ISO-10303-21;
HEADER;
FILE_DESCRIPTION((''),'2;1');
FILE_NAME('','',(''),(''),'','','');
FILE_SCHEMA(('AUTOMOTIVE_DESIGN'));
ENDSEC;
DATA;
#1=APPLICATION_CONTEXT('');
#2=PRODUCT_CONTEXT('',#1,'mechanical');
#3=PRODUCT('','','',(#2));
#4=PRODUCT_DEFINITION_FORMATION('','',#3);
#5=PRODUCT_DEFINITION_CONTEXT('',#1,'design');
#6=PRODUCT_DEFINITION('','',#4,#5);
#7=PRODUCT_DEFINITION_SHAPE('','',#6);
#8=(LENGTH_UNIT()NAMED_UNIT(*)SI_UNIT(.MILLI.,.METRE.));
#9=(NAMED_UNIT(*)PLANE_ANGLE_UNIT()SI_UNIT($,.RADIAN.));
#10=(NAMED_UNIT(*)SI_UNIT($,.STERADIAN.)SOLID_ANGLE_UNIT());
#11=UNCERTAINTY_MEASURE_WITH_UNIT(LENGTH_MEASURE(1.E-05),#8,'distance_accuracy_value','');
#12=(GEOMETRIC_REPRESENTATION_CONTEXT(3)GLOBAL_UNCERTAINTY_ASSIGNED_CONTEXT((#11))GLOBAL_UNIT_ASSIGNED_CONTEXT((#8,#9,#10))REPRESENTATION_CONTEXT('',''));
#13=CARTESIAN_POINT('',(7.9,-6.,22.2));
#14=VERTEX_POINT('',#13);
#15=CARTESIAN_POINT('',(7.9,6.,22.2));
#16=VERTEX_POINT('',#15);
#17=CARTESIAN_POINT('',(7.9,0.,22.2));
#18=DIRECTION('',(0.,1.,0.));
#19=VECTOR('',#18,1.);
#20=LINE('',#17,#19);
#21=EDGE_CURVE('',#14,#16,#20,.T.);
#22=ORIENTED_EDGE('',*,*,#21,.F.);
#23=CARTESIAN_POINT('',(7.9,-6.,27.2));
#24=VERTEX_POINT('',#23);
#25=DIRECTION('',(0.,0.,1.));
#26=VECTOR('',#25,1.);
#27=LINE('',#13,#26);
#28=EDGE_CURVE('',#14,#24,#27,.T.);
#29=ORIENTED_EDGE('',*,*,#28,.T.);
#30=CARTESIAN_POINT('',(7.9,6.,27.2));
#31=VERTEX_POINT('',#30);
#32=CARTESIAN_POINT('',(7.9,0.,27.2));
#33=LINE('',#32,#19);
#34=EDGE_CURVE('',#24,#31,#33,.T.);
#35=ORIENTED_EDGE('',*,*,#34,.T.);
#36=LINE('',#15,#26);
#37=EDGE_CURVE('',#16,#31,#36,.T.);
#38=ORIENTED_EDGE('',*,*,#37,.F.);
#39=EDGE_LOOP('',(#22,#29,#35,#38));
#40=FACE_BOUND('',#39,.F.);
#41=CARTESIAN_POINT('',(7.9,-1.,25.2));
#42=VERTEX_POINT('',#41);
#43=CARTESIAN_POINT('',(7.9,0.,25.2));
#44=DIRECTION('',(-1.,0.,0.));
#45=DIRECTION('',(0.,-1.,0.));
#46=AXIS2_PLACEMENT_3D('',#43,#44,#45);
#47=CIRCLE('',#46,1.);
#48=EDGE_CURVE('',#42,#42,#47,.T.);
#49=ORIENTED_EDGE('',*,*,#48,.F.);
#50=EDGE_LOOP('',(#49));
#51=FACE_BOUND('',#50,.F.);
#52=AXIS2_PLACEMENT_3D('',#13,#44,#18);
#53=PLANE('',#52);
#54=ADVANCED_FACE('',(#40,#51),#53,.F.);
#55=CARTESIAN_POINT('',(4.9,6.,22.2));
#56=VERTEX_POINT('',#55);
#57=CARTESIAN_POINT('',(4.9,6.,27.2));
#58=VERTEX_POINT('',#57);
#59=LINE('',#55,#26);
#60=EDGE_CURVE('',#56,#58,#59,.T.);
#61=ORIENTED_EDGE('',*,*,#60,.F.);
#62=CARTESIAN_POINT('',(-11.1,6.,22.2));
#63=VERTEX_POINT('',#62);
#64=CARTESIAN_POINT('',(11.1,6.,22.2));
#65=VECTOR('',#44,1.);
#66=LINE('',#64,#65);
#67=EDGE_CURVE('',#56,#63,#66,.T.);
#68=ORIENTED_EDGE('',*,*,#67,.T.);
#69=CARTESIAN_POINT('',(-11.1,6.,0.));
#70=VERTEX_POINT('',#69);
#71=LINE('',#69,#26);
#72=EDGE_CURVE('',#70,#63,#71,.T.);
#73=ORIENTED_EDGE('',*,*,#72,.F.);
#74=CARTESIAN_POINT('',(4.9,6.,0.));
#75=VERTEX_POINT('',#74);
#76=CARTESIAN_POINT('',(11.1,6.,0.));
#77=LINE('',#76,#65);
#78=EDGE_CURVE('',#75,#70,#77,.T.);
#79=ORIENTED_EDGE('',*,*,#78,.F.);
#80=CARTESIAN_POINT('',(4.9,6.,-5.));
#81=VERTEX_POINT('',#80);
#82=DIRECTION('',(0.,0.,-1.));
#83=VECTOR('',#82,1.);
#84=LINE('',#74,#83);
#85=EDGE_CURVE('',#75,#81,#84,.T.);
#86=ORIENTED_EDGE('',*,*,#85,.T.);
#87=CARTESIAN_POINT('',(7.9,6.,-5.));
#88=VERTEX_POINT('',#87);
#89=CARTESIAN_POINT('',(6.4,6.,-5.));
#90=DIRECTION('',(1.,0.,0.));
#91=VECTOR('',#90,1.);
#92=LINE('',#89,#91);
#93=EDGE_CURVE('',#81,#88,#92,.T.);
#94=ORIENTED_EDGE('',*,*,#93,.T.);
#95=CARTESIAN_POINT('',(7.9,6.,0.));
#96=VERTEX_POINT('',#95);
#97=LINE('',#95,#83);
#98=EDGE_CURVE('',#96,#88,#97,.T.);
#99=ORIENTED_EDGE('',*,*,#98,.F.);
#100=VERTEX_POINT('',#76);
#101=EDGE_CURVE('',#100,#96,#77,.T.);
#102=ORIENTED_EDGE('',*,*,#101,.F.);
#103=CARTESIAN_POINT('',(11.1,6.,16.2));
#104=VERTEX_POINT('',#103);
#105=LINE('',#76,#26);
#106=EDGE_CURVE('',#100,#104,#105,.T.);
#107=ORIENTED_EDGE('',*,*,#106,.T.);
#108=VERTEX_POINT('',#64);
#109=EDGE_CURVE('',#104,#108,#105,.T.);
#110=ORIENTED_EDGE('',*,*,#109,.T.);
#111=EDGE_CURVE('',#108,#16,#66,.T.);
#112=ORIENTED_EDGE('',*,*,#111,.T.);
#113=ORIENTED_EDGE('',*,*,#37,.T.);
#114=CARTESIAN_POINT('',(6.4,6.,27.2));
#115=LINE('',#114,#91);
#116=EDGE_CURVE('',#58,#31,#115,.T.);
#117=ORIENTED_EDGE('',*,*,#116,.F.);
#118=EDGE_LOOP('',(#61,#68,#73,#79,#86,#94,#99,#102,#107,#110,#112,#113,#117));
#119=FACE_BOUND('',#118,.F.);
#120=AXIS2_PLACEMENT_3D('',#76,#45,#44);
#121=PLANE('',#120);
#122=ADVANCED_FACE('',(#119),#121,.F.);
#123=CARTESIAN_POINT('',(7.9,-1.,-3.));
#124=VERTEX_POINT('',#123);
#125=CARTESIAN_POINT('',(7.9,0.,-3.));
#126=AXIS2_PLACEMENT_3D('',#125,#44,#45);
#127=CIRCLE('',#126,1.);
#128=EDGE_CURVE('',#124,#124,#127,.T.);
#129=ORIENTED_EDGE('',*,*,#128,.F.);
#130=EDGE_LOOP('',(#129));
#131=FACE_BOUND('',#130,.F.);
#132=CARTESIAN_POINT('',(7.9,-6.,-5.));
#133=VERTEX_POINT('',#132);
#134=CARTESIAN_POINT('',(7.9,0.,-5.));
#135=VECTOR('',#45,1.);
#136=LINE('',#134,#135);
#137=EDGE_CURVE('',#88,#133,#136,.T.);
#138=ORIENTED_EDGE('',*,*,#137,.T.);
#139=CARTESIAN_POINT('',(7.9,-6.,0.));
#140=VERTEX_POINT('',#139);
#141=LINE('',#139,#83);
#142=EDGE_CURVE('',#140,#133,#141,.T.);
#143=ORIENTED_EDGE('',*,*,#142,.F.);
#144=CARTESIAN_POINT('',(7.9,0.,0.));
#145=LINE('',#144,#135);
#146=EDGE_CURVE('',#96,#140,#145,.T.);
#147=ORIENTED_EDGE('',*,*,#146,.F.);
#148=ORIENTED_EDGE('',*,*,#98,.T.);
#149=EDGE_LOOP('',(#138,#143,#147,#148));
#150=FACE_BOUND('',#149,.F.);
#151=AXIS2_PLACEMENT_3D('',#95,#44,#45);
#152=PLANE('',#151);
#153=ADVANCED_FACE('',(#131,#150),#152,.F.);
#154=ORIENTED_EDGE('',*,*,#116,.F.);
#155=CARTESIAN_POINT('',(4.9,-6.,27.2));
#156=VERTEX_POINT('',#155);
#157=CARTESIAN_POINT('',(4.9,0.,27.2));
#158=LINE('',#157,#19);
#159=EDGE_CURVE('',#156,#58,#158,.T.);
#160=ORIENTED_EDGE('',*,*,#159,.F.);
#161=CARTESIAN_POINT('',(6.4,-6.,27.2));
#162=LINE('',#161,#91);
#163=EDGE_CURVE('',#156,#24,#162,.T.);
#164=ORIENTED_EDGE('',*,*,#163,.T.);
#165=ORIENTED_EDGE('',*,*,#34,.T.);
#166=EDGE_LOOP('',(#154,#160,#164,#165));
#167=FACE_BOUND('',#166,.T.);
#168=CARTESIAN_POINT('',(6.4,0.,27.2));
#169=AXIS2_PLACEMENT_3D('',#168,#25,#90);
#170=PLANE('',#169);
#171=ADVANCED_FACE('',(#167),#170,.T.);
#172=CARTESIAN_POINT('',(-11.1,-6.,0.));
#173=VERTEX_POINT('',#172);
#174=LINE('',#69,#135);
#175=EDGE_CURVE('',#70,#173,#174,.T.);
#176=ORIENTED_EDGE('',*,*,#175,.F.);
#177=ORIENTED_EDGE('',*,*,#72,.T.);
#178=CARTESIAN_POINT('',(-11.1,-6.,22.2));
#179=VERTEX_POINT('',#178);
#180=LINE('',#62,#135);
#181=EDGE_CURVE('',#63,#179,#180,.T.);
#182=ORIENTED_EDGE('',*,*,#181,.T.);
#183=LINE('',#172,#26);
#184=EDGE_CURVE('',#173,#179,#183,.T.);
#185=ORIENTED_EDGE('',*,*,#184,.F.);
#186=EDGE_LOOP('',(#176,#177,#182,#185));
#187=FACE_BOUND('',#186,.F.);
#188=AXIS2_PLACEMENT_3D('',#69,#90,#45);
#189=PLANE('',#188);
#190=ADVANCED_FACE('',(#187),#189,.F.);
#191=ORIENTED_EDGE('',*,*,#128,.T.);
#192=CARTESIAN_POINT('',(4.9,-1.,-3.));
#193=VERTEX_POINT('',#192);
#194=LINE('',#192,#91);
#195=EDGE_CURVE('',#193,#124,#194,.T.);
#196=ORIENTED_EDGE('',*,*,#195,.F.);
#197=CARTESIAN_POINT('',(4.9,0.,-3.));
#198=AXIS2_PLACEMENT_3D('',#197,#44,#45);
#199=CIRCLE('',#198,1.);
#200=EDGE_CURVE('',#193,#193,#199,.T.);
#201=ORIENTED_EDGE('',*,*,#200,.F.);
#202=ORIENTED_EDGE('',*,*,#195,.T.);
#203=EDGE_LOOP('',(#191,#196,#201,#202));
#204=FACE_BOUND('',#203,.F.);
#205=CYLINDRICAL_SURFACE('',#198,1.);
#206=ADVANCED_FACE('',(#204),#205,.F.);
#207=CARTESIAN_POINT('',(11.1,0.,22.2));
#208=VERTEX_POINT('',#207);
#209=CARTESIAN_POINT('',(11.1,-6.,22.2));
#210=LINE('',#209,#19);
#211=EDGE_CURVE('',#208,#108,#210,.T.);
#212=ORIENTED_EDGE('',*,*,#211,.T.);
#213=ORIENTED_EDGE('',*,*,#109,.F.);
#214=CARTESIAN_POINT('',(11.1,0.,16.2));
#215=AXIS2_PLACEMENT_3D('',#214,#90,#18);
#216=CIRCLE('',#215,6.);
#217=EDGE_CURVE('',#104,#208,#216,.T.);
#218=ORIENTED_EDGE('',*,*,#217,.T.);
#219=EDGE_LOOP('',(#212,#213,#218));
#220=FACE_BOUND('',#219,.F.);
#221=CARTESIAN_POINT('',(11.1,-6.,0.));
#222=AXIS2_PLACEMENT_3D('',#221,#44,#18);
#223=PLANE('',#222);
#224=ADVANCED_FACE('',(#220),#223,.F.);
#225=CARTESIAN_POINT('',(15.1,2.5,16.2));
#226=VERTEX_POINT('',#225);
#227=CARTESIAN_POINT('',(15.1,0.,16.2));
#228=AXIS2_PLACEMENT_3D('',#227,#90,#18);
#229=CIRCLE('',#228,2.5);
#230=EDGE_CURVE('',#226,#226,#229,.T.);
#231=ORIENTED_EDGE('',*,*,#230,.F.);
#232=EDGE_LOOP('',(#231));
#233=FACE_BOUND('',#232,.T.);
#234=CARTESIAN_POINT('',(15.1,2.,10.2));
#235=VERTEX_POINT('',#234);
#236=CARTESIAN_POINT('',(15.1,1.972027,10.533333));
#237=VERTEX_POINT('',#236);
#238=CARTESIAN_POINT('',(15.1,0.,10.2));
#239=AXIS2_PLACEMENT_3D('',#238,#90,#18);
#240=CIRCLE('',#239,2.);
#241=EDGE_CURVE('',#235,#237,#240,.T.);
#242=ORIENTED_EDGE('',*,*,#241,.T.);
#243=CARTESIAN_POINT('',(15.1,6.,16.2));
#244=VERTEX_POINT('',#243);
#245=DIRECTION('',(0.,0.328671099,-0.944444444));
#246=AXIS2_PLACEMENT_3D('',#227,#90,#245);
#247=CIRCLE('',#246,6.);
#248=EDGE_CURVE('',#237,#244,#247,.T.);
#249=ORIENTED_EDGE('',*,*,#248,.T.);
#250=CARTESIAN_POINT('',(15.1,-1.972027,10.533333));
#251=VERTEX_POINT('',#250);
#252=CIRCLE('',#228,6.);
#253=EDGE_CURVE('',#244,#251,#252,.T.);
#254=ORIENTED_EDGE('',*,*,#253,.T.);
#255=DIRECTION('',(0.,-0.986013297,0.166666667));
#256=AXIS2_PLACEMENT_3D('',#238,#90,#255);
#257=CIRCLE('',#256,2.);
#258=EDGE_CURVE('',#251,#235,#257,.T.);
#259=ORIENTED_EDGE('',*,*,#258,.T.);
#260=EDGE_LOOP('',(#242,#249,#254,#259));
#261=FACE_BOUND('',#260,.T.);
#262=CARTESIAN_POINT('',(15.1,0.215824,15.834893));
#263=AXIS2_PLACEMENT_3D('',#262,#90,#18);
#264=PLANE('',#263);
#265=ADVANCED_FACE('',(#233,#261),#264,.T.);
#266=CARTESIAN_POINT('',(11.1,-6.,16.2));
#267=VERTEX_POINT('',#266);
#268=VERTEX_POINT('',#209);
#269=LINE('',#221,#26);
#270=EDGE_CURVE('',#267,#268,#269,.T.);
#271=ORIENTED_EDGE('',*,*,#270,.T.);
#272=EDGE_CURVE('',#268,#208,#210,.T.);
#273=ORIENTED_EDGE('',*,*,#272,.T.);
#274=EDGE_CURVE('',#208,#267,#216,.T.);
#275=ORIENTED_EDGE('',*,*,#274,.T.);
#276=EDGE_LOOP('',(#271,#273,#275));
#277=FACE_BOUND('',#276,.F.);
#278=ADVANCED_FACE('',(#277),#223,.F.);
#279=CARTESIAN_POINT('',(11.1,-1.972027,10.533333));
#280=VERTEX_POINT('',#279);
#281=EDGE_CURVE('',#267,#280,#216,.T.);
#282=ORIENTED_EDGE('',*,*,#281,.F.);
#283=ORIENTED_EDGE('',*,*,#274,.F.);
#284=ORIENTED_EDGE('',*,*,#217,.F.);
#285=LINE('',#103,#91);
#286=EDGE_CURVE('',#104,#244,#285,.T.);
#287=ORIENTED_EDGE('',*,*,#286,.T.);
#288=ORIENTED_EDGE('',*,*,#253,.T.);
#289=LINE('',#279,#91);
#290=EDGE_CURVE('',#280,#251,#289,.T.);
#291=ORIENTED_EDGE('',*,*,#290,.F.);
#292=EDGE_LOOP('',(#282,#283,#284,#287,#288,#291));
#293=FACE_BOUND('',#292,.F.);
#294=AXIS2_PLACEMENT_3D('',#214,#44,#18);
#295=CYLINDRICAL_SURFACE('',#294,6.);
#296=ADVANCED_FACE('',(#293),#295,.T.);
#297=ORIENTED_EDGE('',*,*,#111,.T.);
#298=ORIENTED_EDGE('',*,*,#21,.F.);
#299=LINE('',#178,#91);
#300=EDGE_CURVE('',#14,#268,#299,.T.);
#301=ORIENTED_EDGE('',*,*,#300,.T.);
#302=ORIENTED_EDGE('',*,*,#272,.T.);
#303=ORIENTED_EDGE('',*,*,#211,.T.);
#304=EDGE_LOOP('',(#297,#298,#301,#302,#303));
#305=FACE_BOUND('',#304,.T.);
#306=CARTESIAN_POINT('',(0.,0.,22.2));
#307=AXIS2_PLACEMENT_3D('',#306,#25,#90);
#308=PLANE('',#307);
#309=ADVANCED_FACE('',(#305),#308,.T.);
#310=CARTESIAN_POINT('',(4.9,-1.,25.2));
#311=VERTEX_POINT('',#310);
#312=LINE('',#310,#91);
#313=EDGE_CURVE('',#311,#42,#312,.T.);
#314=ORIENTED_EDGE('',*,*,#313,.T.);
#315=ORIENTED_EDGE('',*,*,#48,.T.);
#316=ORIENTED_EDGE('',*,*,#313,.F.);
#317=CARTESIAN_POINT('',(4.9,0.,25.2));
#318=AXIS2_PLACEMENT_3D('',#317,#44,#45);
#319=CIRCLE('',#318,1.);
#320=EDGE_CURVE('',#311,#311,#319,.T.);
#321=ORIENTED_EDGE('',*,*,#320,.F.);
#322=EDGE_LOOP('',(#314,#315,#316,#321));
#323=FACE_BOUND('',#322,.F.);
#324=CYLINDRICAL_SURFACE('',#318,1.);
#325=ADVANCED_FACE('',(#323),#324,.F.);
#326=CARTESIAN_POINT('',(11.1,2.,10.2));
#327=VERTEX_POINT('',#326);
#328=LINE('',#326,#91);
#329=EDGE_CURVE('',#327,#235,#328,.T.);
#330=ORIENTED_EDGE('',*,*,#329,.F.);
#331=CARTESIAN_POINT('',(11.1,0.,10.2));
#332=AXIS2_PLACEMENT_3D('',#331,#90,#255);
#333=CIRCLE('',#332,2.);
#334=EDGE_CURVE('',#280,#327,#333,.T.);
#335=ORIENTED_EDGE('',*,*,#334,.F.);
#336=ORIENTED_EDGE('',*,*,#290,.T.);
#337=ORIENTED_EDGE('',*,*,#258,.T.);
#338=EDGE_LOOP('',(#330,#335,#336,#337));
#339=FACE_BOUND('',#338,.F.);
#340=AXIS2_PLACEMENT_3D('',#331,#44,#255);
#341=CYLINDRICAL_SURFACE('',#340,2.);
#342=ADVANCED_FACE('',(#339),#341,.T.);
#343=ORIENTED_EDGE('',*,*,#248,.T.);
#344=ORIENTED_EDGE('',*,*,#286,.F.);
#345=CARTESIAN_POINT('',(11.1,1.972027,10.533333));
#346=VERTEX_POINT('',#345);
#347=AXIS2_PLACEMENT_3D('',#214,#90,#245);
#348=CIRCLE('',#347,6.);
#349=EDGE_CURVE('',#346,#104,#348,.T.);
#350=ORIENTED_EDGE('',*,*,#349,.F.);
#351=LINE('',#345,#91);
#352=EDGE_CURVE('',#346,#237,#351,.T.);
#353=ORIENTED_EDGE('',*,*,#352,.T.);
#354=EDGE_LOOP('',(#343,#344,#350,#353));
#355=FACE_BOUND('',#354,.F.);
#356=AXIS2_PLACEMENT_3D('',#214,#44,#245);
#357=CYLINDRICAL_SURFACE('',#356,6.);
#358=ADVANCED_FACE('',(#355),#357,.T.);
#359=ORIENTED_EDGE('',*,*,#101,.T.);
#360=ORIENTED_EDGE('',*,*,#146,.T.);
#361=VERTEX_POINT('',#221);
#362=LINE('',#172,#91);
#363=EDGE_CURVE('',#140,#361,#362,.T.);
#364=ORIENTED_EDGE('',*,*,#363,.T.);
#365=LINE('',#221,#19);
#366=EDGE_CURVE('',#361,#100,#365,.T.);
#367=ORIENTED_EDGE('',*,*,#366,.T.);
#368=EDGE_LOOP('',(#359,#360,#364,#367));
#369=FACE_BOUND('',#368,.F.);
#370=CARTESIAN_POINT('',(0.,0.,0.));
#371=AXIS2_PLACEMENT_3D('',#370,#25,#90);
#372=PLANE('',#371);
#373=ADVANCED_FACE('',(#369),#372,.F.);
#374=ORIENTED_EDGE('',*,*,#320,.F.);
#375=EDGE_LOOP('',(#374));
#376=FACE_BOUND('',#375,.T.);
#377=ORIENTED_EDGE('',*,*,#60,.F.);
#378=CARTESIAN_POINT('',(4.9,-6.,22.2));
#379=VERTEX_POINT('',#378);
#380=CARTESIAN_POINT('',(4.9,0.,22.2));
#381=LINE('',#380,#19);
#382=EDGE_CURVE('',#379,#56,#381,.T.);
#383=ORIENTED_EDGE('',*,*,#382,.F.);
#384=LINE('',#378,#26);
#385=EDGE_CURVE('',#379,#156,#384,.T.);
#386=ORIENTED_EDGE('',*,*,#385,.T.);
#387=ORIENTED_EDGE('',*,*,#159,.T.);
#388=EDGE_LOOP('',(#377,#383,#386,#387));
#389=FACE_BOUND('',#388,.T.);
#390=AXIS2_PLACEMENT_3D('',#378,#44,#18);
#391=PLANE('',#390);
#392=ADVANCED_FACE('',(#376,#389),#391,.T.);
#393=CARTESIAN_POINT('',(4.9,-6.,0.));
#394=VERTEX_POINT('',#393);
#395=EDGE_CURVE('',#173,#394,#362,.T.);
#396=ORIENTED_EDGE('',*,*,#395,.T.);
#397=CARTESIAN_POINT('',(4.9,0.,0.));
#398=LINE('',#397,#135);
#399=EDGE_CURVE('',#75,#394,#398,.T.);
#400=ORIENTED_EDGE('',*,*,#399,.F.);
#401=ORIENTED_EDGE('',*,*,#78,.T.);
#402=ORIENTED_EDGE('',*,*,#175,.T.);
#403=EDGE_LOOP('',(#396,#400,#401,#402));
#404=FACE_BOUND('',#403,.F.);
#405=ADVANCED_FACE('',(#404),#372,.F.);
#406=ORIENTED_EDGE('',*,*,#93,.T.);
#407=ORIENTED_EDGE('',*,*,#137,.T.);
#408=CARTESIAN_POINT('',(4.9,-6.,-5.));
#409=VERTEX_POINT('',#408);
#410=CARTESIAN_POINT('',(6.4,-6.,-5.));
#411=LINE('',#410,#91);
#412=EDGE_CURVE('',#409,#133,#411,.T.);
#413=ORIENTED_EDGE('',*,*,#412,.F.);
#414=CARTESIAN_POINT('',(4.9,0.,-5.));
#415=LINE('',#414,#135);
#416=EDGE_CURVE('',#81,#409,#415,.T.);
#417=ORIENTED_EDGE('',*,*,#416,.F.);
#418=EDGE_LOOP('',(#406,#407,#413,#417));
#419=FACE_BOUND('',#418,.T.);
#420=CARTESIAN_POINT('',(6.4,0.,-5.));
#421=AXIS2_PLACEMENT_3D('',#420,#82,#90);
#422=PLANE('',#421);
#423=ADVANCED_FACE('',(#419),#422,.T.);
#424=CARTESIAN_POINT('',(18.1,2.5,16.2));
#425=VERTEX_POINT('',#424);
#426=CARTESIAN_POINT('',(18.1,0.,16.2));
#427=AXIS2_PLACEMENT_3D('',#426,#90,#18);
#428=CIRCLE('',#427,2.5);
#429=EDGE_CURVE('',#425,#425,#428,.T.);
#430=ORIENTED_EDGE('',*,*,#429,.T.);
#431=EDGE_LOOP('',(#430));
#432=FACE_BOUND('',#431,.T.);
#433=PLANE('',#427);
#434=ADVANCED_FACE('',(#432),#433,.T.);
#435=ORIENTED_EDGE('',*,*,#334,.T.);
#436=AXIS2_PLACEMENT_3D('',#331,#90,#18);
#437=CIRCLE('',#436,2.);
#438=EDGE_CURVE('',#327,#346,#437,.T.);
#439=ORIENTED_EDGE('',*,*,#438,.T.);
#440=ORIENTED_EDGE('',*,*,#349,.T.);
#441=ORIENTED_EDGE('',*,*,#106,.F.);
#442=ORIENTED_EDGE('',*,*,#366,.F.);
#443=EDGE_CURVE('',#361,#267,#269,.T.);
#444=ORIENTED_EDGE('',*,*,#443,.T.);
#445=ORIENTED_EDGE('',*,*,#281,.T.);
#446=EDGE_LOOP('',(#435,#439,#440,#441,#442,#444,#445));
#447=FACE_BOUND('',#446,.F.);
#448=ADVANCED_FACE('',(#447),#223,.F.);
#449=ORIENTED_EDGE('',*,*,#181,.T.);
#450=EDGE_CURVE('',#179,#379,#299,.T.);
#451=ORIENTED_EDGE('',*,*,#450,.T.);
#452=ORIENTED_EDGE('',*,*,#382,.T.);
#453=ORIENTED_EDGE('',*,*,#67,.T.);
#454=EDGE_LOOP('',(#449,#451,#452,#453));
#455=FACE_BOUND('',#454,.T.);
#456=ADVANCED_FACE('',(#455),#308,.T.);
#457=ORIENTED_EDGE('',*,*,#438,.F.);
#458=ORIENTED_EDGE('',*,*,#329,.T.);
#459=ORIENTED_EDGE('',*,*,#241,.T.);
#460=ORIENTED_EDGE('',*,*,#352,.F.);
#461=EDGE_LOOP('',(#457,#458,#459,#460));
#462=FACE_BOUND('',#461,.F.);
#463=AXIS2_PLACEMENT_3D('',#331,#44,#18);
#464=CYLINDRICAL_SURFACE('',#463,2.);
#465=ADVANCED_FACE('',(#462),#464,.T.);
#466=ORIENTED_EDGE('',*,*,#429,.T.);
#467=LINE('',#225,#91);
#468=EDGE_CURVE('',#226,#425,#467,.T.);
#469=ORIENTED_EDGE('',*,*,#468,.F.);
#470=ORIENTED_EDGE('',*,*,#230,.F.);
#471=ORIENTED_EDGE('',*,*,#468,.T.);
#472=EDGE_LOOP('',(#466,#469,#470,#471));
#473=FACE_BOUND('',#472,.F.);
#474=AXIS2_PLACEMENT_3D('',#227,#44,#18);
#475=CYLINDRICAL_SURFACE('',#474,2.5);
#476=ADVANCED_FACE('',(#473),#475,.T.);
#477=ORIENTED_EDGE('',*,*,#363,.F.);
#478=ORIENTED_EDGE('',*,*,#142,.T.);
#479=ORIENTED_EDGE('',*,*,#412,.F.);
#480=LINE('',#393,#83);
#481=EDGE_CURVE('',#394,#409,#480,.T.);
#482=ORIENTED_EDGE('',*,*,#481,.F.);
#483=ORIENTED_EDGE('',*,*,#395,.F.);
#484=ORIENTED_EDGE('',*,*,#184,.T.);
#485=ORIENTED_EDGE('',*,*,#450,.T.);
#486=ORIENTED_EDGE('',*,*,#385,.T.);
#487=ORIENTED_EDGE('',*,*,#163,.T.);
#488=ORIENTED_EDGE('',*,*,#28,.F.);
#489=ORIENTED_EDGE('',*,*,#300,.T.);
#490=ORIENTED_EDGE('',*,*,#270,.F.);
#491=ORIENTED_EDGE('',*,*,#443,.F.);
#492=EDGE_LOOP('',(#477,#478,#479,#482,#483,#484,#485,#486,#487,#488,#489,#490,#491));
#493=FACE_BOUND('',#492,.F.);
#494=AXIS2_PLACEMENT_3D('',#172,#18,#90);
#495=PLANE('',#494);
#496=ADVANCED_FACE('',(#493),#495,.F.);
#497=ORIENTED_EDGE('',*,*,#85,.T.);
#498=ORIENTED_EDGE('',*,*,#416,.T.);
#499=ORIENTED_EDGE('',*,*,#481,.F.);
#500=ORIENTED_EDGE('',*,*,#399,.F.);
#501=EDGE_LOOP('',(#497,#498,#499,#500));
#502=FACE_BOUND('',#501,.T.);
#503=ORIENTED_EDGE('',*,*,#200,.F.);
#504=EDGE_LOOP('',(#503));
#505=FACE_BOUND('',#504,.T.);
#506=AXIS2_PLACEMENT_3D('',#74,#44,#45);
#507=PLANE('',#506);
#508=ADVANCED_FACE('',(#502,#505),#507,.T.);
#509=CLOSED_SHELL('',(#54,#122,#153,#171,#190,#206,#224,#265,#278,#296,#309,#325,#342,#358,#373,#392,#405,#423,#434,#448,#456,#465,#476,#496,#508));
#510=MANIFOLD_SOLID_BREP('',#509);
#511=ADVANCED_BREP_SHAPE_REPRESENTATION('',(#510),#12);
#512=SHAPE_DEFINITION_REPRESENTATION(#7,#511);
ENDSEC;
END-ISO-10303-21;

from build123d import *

# Parameters (mm, degrees)
F1_DEPTH  = 22.2
F2_W      = 3
F2_H      = 12
F3_DEPTH  = 5
F4_W      = 3
F4_H      = 12
F5_DEPTH  = 5
F7_DEPTH  = 4
F8_R      = 2.5
F9_DEPTH  = 3
F10_R     = 1
F11_DEPTH = 25


with BuildPart() as f1:
    # F0 (on Top) → F1 (new body)
    with BuildSketch(Plane.XY):
        Polygon((-11.1, 6), (-11.1, 0), (-11.1, -6), (11.1, -6), (11.1, 0), (11.1, 6), align=None)
    extrude(amount=F1_DEPTH)

    # F2 (on face) → F3 (join)
    with BuildSketch(Plane.XY.offset(22.2)):
        with Locations((6.4, 0)):
            Rectangle(F2_W, F2_H)
    extrude(amount=F3_DEPTH)

    # F4 (on face) → F5 (join)
    with BuildSketch(Plane(origin=(0, 0, 0), x_dir=(1, 0, 0), z_dir=(0, 0, -1))):
        with Locations((6.4, 0)):
            Rectangle(F4_W, F4_H)
    extrude(amount=F5_DEPTH)

    # F6 (on face) → F7 (join)
    with BuildSketch(Plane.YZ.offset(11.1)):
        with BuildLine():
            ThreePointArc((1.9720265944, 10.5333333333), (4.8904069139, 12.7238066485), (6, 16.2))
            ThreePointArc((6, 16.2), (-3.4761933515, 21.0904069139), (-1.9720265944, 10.5333333333))
            ThreePointArc((-1.9720265944, 10.5333333333), (0, 12.2), (1.9720265944, 10.5333333333))
        make_face()
        with BuildLine():
            ThreePointArc((1.9720265944, 10.5333333333), (0, 12.2), (-1.9720265944, 10.5333333333))
            ThreePointArc((-1.9720265944, 10.5333333333), (0, 10.2), (1.9720265944, 10.5333333333))
        make_face()
        with BuildLine():
            ThreePointArc((1.9720265944, 10.5333333333), (0, 10.2), (-1.9720265944, 10.5333333333))
            ThreePointArc((-1.9720265944, 10.5333333333), (-0.1672525206, 8.2070056211), (2, 10.2))
            ThreePointArc((2, 10.2), (1.9929943789, 10.3672525206), (1.9720265944, 10.5333333333))
        make_face()
    extrude(amount=F7_DEPTH)

    # F8 (on face) → F9 (join)
    with BuildSketch(Plane.YZ.offset(15.1)):
        with Locations((0, 16.2)):
            Circle(F8_R)
    extrude(amount=F9_DEPTH)

    # F10 (on face) → F11 (cut)
    with BuildSketch(Plane(origin=(4.9, 0, 0), x_dir=(0, -1, 0), z_dir=(-1, 0, 0))):
        with Locations((0, 25.2)):
            Circle(F10_R)
        with Locations((0, -3)):
            Circle(F10_R)
    extrude(amount=-F11_DEPTH, mode=Mode.SUBTRACT)


solid = f1.part
